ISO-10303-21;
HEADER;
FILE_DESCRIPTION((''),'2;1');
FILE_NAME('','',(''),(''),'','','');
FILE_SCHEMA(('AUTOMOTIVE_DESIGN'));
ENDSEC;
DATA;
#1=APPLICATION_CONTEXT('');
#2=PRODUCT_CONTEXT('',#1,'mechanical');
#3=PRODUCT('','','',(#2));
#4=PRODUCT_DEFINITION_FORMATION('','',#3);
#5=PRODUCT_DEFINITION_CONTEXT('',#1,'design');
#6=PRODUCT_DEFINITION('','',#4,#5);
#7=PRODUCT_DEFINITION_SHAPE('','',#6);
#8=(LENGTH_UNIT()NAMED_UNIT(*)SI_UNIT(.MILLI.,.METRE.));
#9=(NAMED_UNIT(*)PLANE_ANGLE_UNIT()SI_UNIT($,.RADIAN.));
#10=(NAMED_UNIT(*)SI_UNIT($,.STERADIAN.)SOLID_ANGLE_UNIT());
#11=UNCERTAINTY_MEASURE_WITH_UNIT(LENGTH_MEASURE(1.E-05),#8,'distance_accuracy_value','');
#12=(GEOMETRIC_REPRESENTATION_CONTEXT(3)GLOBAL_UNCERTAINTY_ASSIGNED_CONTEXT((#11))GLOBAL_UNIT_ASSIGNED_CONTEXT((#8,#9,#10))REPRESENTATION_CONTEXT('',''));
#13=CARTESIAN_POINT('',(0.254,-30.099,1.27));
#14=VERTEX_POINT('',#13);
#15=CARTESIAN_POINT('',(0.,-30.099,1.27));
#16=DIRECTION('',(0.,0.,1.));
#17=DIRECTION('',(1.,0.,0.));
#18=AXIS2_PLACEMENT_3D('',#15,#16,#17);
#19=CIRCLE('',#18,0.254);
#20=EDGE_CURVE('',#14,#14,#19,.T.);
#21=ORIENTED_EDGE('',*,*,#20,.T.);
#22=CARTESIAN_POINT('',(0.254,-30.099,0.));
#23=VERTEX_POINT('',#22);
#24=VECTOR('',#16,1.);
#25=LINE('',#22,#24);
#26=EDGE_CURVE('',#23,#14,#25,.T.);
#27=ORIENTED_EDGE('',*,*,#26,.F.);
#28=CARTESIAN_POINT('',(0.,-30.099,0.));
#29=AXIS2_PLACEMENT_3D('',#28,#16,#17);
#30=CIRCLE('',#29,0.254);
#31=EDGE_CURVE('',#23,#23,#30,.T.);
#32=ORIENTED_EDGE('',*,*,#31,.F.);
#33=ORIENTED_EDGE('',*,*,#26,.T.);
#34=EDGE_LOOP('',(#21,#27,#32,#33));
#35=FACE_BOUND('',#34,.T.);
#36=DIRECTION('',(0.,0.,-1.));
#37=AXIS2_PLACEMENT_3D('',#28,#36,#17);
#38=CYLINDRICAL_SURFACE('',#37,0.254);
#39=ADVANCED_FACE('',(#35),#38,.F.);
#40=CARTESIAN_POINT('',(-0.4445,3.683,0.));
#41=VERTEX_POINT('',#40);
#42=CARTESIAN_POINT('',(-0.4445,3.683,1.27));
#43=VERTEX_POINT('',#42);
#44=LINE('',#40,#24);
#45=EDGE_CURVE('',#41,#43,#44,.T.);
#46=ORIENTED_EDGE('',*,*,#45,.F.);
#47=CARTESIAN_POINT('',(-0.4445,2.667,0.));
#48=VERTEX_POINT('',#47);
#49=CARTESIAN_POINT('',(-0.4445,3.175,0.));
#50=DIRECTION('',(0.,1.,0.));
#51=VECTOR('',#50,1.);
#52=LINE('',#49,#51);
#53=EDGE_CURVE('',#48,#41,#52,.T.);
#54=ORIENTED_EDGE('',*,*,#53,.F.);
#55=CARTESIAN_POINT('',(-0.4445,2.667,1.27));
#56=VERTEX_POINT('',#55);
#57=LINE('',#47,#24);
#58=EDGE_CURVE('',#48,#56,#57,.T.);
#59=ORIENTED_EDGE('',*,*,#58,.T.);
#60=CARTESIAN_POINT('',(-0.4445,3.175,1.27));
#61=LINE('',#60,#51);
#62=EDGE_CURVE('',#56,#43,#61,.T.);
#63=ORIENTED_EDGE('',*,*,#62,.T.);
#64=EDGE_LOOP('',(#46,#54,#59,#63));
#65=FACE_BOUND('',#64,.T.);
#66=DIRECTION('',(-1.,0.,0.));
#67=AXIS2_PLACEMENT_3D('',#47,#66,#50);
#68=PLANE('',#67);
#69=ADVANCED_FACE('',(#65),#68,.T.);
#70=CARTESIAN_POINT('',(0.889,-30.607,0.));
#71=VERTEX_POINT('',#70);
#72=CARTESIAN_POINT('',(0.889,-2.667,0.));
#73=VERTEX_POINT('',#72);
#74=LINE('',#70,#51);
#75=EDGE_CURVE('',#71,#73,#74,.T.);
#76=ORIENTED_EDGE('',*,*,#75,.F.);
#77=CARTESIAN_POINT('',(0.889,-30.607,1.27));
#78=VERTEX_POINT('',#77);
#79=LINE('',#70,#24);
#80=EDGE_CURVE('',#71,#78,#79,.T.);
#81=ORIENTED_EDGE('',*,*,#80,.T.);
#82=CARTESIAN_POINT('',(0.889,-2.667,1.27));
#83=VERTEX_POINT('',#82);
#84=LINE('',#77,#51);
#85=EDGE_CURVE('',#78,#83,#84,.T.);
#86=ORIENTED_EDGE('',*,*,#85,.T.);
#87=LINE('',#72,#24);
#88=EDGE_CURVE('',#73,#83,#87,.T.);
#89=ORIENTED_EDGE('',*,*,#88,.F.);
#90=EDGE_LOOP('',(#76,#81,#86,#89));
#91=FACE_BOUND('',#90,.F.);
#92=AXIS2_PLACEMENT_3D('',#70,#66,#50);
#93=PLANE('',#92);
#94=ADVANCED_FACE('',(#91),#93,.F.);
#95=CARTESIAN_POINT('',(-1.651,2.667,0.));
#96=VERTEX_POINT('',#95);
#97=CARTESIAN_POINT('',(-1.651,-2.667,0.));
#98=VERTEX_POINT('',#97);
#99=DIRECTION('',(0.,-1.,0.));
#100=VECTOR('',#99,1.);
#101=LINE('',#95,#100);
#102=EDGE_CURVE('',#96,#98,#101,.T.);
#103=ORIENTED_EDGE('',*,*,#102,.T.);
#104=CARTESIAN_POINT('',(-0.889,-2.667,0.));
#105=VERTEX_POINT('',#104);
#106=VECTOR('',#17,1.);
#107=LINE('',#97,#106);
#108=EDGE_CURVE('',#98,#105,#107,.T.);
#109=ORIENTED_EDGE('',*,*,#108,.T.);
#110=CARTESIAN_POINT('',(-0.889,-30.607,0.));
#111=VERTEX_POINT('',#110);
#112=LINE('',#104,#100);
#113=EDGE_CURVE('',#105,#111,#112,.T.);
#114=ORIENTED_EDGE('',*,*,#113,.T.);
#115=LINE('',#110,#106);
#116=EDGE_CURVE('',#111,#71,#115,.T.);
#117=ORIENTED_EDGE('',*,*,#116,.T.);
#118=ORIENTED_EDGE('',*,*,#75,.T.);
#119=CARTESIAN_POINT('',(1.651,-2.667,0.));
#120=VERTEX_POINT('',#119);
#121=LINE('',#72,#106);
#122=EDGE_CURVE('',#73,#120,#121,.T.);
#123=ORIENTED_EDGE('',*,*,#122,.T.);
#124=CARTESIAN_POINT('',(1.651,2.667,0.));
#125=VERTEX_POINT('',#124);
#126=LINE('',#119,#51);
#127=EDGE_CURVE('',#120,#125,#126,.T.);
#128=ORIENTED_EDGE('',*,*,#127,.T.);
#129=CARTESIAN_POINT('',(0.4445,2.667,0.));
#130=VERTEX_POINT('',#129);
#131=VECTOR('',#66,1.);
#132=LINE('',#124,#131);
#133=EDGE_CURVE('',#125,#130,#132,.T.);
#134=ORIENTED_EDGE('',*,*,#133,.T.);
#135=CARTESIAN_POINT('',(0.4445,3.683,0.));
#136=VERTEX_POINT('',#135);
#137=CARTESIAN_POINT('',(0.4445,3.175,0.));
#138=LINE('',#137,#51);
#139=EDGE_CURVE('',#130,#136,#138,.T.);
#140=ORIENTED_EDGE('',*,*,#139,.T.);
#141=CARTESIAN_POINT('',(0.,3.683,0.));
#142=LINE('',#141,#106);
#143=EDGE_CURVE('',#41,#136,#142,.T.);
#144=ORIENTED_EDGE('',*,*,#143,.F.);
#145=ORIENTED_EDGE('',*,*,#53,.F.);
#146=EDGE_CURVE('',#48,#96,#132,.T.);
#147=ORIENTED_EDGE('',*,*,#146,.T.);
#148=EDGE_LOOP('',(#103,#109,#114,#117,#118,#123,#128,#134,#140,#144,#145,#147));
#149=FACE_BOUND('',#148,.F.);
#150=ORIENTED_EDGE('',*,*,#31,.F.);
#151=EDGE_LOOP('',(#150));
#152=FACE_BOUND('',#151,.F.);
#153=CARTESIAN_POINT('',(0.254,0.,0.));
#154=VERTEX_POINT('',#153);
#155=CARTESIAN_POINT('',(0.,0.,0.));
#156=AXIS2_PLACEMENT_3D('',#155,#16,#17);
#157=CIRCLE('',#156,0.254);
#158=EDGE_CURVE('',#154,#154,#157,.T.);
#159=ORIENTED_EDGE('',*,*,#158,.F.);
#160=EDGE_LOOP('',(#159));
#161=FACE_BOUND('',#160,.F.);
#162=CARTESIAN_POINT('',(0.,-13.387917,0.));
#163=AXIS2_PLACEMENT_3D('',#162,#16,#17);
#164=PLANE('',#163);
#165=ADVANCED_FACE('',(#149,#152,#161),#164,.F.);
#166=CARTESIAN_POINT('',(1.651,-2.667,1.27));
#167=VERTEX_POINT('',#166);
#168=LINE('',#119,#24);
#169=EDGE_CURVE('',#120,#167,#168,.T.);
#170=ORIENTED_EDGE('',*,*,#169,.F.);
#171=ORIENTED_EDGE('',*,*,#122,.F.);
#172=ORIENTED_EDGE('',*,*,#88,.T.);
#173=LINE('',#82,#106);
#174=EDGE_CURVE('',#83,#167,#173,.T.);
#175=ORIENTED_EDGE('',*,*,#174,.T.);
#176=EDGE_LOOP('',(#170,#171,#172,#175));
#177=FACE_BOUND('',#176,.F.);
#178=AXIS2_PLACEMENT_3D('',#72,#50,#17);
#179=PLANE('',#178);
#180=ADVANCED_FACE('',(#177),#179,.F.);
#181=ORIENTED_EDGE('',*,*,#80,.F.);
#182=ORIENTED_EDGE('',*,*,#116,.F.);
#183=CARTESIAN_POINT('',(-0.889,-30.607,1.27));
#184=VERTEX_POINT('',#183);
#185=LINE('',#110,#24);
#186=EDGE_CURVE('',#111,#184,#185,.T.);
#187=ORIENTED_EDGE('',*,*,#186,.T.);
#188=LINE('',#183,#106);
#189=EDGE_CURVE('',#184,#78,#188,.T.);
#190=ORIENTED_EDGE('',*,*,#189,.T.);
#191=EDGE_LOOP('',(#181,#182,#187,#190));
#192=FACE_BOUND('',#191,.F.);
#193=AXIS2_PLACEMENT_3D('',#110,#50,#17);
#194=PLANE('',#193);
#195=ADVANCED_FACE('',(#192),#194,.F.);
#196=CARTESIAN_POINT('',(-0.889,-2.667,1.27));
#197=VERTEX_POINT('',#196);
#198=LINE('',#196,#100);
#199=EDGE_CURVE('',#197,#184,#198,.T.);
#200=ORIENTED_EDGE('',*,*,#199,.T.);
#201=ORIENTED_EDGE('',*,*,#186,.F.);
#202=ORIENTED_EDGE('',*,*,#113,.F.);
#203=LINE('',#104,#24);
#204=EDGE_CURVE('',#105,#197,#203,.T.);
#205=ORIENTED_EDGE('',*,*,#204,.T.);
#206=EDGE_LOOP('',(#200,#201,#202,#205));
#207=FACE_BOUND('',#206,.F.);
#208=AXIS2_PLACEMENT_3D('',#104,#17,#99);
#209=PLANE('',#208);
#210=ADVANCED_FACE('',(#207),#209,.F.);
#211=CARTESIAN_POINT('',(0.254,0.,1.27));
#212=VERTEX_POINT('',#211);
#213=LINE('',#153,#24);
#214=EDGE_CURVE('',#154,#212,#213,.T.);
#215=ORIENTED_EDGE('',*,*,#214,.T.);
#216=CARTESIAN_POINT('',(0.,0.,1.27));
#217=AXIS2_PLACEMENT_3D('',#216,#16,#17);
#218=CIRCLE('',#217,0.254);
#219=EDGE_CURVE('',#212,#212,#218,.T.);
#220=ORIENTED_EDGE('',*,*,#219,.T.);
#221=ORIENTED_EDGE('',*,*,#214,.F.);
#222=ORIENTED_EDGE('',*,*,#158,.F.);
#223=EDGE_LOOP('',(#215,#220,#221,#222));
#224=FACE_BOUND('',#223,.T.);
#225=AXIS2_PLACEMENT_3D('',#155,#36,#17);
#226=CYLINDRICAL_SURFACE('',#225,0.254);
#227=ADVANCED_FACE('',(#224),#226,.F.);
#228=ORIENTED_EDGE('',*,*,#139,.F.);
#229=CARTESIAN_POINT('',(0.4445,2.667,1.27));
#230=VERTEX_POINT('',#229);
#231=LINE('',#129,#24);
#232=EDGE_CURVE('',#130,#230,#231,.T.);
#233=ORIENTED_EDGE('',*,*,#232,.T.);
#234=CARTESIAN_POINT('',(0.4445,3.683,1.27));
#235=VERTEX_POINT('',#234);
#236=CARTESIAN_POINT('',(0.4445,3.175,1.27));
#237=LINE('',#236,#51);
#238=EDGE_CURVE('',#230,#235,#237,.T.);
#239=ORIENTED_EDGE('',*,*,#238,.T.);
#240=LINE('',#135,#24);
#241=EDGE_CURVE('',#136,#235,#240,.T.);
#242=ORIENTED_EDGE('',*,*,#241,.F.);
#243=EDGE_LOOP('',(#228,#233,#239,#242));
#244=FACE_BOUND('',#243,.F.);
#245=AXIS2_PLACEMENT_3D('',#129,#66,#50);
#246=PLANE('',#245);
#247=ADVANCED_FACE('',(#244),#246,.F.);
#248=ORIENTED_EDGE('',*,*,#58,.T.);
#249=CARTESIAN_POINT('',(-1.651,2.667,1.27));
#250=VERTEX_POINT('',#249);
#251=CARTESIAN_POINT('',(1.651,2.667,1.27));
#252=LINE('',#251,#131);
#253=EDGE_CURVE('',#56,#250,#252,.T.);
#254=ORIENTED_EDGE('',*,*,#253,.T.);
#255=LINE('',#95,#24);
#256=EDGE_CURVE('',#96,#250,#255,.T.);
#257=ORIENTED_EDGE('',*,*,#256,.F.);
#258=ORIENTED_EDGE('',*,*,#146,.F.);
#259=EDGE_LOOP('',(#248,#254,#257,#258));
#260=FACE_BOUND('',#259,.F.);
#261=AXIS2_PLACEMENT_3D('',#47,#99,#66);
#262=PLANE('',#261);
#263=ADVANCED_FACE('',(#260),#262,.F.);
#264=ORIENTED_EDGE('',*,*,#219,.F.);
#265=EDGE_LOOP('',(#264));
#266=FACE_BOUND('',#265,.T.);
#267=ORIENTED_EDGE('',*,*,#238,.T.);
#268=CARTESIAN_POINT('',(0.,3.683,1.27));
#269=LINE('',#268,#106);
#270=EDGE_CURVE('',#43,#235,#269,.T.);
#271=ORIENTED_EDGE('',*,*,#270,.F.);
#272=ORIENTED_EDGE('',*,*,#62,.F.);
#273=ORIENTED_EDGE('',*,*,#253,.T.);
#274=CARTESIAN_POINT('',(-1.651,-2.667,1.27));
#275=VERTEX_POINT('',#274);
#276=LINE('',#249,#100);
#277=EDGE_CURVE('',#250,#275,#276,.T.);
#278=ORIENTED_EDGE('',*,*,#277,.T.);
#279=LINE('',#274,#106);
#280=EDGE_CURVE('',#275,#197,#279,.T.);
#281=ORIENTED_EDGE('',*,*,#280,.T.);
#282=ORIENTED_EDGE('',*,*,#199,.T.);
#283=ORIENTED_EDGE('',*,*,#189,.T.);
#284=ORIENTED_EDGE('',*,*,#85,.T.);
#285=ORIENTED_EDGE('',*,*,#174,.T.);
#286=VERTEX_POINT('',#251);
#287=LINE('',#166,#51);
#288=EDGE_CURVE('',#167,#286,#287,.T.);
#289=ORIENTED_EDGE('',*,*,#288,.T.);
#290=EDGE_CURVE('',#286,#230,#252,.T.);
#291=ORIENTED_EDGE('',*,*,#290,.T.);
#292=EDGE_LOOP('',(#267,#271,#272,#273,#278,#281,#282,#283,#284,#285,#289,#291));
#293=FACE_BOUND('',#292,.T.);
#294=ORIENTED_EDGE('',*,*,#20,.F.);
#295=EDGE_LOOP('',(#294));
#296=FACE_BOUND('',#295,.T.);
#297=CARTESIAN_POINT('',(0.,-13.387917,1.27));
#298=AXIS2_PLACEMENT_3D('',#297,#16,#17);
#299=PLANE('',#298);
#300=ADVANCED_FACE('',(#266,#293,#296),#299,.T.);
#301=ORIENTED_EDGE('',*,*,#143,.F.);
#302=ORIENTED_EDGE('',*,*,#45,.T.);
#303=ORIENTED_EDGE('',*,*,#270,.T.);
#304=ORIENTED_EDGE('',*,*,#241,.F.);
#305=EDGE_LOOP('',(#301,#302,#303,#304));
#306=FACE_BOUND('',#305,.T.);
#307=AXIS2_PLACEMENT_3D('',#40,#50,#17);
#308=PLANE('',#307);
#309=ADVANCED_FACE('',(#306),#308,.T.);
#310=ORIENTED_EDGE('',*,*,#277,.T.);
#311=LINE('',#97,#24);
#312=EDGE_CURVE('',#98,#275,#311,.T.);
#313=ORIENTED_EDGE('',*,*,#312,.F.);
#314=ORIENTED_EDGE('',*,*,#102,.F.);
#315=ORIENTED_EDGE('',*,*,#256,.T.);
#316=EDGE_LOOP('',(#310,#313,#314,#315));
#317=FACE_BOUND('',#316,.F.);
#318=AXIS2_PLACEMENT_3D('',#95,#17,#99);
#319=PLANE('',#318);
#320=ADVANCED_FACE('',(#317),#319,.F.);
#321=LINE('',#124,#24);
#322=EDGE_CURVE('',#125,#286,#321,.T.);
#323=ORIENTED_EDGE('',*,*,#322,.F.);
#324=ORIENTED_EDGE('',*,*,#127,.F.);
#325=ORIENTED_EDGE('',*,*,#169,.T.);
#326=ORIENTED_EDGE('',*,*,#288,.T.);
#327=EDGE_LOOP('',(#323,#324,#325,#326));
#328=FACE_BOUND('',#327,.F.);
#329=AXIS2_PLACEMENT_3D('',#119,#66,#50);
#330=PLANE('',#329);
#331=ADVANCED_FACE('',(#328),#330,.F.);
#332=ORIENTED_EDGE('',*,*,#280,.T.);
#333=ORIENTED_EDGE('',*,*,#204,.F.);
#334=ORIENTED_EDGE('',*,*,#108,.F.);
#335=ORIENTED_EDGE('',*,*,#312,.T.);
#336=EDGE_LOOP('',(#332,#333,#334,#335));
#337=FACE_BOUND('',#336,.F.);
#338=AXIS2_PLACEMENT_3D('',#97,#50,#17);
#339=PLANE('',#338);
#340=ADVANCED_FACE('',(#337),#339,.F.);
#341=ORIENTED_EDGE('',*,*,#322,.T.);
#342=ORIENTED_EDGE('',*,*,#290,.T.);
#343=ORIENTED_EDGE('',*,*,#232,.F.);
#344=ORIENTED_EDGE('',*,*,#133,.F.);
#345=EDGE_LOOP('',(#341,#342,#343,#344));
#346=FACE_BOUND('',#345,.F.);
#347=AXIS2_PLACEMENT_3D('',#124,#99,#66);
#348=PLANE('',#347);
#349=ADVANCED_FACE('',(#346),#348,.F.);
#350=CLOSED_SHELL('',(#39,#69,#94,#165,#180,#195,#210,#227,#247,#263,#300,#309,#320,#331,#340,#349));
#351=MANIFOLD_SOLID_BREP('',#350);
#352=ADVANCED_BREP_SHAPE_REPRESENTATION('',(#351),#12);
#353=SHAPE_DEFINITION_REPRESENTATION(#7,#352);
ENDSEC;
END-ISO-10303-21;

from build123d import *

# Parameters (mm, degrees)
F0_R     = 0.254
F0_W     = 0.889
F0_H     = 1.016
F1_DEPTH = 1.27


with BuildPart() as f1:
    # F0 (on Top) → F1 (new body)
    with BuildSketch(Plane.XY):
        Polygon((0.889, -2.667), (1.651, -2.667), (1.651, 2.667), (0.4445, 2.667), (-0.4445, 2.667), (-1.651, 2.667), (-1.651, -2.667), (-0.889, -2.667), (-0.889, -30.607), (0.889, -30.607), align=None)
        with Locations((0, -30.099)):
            Circle(F0_R, mode=Mode.SUBTRACT)
        Circle(F0_R, mode=Mode.SUBTRACT)
        with Locations((0, 3.175)):
            Rectangle(F0_W, F0_H)
    extrude(amount=F1_DEPTH)


solid = f1.part
